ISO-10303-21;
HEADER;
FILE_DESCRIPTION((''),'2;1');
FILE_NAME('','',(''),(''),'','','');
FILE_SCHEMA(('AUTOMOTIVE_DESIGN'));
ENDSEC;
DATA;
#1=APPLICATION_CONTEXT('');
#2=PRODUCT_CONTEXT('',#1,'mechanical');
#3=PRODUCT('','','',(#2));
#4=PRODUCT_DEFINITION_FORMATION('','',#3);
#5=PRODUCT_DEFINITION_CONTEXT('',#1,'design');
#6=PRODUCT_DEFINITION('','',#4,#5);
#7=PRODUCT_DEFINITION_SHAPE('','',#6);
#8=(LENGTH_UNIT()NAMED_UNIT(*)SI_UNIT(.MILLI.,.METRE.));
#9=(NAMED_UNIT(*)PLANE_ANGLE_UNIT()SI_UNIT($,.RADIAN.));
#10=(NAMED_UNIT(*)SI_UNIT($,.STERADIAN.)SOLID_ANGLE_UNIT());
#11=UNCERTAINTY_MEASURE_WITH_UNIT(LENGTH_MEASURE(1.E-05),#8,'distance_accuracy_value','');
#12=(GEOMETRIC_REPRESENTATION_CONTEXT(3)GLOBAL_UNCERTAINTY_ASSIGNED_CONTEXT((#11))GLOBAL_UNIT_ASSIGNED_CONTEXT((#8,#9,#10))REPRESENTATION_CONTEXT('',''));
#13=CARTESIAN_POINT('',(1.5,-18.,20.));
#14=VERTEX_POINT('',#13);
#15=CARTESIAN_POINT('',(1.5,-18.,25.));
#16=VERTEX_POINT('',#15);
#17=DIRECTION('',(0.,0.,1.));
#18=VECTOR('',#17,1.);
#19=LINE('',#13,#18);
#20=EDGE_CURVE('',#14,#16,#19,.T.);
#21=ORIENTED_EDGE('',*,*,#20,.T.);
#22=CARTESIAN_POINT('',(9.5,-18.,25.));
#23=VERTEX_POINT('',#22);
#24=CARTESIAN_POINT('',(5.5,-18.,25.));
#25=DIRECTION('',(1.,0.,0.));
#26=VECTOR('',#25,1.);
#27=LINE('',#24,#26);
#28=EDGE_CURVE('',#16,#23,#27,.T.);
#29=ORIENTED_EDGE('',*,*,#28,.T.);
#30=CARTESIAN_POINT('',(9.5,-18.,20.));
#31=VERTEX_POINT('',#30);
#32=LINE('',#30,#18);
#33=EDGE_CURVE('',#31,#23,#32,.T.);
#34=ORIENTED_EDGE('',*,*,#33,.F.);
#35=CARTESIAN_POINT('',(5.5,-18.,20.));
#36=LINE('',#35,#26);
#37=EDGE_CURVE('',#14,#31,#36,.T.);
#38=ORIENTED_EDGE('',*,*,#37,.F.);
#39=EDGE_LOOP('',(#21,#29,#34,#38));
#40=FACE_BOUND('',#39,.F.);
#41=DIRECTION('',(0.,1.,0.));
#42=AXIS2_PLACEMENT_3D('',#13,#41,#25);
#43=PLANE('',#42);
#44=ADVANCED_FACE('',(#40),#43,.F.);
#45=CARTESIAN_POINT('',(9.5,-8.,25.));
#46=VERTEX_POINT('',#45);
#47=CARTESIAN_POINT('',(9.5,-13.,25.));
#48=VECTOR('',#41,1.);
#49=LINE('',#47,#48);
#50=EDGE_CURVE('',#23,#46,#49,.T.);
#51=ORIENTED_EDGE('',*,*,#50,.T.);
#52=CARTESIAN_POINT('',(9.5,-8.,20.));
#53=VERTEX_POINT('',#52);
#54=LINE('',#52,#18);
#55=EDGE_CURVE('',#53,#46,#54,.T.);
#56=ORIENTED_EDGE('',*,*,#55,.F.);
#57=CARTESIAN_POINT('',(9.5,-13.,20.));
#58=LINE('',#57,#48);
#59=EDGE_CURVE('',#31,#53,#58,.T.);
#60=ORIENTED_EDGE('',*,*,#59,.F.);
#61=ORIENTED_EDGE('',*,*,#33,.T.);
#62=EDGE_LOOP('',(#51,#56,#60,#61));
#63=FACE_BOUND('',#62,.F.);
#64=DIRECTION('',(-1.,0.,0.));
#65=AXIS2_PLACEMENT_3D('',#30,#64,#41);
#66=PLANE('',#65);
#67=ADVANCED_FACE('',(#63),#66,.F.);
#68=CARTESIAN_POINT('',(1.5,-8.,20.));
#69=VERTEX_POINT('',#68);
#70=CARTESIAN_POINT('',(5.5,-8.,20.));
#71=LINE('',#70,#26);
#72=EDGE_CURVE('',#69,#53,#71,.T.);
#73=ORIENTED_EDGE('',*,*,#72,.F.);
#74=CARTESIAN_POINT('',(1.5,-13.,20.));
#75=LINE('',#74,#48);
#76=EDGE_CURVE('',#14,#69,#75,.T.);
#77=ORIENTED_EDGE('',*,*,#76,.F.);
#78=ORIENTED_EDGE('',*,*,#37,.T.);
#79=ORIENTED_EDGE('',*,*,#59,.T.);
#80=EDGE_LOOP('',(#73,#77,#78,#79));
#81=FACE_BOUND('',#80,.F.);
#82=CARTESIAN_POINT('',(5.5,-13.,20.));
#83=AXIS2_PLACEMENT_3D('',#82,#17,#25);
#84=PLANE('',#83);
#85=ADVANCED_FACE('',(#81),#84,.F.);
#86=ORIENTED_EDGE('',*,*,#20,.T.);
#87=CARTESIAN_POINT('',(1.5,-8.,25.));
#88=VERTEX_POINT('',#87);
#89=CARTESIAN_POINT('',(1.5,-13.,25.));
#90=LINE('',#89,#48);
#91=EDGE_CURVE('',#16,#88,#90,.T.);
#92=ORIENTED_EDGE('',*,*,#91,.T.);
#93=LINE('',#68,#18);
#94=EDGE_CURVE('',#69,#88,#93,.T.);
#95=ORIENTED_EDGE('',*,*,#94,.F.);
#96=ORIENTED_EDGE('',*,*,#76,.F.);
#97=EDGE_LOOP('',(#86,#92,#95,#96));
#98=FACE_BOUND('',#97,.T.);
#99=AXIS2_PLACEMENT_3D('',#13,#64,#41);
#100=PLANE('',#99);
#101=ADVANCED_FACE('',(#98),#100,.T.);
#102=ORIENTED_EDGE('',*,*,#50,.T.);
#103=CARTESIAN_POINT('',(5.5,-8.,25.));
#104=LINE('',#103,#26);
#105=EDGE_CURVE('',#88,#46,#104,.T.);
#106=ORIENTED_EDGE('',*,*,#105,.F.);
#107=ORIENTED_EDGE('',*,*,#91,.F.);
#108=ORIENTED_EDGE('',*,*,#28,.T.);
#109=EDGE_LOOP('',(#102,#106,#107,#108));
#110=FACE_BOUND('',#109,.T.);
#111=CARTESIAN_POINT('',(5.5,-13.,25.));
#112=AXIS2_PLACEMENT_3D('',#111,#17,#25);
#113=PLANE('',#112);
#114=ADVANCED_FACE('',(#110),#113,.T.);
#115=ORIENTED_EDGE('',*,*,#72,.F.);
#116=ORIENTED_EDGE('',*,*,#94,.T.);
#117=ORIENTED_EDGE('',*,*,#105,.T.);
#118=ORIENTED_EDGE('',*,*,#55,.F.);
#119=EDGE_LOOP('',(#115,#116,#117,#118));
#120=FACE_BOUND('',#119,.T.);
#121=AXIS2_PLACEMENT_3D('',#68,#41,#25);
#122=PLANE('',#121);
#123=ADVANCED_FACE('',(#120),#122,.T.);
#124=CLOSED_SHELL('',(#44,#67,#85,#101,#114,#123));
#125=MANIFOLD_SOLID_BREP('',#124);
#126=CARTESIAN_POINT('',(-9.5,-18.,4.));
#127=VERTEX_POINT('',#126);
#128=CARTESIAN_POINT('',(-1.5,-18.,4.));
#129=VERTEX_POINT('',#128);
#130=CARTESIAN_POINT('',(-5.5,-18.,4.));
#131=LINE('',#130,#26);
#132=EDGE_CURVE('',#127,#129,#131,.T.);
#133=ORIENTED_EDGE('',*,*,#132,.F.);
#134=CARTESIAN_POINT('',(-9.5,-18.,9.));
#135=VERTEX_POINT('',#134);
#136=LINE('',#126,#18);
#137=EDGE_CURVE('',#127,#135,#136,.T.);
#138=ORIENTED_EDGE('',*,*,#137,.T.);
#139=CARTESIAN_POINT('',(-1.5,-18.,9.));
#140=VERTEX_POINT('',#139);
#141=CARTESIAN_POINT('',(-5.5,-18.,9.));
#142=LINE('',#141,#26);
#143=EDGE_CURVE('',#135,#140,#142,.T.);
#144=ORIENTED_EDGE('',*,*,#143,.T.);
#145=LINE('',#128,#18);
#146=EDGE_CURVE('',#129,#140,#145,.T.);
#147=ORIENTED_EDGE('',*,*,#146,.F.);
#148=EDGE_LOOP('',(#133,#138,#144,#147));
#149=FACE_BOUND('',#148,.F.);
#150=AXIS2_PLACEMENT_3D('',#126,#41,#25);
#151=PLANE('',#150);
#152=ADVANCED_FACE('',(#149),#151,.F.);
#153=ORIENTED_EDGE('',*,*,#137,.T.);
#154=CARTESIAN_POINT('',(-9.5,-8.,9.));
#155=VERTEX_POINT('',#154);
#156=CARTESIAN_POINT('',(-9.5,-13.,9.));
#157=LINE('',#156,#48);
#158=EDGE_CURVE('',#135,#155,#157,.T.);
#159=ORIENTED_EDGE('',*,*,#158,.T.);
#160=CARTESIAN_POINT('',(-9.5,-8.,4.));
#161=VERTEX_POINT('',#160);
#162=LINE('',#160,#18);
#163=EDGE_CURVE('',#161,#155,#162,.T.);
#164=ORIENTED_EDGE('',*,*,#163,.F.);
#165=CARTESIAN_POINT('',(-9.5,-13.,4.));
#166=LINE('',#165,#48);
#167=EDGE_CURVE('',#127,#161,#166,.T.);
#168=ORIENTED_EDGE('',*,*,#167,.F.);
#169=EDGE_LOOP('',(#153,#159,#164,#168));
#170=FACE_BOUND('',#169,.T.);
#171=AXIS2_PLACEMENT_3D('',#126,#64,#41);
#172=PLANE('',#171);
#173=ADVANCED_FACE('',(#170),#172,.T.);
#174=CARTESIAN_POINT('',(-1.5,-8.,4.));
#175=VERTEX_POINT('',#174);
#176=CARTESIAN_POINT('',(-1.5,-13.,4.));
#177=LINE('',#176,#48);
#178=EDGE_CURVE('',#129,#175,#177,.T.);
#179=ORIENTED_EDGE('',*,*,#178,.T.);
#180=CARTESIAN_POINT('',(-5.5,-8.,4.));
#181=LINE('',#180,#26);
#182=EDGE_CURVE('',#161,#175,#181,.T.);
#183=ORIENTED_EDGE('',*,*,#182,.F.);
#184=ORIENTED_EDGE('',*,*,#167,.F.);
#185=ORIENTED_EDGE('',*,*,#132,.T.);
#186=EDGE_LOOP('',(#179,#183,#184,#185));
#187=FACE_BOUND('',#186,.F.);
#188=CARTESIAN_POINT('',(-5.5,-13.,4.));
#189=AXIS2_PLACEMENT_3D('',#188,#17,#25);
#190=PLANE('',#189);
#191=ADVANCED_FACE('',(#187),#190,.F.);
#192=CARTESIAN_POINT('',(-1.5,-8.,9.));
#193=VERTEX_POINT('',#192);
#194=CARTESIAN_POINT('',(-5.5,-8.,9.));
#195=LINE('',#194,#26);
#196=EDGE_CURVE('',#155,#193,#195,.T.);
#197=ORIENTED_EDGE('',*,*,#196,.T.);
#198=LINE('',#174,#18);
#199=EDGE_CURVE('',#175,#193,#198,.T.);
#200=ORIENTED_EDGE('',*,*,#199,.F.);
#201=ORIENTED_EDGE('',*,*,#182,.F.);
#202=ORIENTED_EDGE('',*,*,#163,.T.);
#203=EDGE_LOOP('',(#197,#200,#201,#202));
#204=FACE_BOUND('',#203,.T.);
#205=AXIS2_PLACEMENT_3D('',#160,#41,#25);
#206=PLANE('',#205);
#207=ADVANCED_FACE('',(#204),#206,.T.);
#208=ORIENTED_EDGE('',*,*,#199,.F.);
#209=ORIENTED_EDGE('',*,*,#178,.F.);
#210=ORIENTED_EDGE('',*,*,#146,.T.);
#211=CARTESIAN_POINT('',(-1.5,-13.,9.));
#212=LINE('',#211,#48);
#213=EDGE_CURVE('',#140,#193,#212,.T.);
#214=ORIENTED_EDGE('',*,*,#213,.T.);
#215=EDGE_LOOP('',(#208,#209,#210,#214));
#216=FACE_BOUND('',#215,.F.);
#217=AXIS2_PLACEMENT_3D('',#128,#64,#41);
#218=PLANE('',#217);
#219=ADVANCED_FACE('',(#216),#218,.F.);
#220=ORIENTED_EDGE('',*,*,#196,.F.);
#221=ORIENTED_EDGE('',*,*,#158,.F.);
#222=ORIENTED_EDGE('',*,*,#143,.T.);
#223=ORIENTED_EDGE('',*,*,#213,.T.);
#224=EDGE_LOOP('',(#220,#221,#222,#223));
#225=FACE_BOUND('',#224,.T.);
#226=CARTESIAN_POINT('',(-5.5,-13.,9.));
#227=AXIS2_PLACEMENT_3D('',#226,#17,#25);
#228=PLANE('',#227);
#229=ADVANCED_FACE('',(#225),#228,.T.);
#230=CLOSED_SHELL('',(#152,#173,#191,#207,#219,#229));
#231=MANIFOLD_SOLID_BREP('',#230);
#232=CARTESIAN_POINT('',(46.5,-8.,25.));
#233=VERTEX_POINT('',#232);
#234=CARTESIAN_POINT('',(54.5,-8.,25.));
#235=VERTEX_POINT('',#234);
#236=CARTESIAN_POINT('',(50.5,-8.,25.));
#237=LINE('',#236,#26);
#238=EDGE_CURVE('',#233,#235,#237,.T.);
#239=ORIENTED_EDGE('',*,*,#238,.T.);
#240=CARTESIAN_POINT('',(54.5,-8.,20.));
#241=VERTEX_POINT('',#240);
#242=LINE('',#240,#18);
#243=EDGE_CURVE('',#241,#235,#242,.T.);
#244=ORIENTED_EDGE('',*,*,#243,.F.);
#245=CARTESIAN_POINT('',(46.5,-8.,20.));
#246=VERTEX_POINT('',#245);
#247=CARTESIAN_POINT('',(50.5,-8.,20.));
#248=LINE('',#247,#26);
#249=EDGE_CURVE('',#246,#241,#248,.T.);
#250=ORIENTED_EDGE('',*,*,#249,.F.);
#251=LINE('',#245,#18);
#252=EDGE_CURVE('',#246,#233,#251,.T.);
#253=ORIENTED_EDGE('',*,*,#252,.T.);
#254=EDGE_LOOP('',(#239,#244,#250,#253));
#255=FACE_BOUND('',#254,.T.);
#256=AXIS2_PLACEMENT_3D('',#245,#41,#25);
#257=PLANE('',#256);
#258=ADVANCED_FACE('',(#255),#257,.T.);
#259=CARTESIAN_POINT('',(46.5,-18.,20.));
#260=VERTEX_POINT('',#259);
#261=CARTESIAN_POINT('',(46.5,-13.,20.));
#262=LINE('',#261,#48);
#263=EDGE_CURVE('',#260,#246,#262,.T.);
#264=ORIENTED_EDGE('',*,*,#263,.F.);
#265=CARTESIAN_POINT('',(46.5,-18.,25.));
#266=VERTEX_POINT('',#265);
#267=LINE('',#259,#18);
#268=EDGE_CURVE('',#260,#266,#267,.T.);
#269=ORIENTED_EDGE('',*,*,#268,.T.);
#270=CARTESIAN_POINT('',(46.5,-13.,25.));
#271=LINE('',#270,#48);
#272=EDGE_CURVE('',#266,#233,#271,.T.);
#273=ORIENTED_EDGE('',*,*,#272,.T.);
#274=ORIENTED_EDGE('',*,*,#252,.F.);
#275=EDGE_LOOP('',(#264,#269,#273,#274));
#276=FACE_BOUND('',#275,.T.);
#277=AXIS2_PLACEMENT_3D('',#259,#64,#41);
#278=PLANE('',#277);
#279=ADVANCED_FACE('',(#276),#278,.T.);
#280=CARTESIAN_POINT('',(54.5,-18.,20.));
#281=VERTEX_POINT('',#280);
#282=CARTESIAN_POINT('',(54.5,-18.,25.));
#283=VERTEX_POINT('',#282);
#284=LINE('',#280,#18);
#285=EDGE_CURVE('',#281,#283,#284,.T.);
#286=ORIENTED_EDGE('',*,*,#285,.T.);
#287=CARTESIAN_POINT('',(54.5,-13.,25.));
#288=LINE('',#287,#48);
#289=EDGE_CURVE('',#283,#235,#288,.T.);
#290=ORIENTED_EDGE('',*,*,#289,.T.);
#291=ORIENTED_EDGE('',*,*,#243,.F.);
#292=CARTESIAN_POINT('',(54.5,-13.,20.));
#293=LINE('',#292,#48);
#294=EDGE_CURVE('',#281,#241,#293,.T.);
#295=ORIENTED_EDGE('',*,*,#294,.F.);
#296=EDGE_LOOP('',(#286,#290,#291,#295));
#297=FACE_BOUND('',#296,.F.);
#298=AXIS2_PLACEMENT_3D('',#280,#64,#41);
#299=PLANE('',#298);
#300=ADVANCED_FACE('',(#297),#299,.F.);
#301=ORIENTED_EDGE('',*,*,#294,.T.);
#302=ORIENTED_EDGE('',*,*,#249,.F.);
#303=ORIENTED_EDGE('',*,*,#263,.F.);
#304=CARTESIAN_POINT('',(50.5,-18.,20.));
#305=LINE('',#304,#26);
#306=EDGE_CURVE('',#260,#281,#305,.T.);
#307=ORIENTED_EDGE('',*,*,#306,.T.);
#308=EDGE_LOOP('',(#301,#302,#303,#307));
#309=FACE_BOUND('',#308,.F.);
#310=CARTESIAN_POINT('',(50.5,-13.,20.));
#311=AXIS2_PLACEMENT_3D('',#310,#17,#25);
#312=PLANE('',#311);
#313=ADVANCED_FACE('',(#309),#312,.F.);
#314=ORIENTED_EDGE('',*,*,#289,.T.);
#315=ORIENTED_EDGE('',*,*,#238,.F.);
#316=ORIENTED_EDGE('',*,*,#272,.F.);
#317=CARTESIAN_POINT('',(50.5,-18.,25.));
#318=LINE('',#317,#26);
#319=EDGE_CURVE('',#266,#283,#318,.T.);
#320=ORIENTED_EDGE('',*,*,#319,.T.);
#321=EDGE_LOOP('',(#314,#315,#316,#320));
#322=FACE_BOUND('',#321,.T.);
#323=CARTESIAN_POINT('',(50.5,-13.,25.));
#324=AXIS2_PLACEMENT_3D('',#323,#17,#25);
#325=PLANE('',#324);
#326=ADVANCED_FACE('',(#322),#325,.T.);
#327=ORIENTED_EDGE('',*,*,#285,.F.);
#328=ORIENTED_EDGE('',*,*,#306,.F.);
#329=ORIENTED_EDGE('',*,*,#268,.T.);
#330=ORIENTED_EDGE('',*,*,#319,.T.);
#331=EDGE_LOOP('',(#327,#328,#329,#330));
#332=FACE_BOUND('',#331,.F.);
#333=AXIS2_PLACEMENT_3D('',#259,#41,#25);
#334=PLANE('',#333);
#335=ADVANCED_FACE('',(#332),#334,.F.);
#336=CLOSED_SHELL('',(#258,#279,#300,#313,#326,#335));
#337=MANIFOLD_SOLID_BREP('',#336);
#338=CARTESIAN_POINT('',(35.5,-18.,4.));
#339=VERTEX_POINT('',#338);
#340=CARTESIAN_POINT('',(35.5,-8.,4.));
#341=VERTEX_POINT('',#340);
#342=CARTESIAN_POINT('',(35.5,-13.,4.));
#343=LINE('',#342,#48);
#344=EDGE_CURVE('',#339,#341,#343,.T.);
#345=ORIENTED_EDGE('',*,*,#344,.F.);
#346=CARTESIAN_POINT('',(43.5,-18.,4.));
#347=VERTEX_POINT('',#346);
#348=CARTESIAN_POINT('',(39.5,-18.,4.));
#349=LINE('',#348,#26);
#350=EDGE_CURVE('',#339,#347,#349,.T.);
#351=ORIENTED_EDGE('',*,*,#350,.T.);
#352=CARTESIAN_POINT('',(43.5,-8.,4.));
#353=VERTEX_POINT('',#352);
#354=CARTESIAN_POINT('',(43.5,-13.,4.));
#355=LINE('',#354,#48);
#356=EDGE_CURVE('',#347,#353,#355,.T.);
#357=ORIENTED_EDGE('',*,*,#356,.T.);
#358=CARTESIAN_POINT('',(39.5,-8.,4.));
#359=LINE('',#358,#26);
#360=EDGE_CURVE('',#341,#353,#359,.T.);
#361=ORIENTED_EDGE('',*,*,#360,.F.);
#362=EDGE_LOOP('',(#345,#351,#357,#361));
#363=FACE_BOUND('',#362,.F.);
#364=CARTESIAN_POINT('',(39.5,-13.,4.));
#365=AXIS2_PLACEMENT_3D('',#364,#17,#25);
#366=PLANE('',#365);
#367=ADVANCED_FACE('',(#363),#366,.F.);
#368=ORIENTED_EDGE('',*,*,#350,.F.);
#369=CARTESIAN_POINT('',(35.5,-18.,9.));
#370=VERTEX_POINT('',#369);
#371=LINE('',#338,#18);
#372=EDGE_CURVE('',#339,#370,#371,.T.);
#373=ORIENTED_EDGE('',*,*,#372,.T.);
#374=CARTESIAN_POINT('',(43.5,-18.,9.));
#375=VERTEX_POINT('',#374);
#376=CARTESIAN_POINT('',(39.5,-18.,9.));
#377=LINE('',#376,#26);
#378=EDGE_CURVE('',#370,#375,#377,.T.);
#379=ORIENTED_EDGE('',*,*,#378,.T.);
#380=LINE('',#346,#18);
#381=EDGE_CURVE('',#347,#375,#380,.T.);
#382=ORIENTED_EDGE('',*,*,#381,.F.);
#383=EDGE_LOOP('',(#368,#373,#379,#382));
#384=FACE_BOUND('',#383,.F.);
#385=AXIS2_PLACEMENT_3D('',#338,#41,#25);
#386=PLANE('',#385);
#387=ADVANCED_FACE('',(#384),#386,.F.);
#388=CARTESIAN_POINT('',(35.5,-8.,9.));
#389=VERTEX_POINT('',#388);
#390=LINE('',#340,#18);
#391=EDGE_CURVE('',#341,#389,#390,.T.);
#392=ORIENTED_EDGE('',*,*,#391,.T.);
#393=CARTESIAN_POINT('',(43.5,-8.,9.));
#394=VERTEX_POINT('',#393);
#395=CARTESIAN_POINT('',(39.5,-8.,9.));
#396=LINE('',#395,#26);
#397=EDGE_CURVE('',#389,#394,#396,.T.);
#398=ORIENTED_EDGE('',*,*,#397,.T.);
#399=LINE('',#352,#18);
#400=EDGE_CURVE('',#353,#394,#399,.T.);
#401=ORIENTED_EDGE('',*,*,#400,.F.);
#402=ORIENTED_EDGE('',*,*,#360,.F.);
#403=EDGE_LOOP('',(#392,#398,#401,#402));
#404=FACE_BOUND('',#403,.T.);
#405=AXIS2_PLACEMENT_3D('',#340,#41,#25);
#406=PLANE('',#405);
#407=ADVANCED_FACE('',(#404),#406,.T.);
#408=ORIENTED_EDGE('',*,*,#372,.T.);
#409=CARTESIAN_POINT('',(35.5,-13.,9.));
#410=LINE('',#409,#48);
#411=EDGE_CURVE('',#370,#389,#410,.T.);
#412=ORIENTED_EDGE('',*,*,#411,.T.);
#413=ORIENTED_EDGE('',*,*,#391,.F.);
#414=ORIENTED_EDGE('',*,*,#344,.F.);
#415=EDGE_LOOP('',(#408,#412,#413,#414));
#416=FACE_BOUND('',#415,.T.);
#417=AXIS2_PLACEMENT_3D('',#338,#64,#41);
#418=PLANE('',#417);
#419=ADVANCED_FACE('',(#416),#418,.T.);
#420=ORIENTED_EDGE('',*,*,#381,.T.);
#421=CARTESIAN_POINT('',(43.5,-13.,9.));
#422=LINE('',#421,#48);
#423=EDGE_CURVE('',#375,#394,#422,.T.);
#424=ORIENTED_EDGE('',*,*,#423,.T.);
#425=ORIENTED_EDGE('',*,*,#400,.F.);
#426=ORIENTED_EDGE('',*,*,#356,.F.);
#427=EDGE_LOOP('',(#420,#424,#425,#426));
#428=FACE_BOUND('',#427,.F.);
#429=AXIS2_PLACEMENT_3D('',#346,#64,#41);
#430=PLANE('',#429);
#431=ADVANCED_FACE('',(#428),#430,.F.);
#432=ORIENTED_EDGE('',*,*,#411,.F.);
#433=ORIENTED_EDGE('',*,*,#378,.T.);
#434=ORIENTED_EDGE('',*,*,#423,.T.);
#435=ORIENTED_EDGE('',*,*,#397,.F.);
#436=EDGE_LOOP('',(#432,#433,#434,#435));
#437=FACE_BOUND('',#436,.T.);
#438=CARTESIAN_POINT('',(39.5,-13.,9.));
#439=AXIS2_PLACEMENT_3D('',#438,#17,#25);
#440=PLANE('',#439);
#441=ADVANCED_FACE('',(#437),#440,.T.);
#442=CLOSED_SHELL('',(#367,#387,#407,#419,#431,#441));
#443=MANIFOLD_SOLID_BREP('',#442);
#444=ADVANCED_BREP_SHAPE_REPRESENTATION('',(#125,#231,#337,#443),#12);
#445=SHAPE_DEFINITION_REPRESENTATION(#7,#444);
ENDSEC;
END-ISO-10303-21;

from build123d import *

# Parameters (mm, degrees)
BOX037_W     = 8
BOX037_H     = 10
BOX037_DEPTH = 5
BOX035_W     = 8
BOX035_H     = 10
BOX035_DEPTH = 5
BOX036_W     = 8
BOX036_H     = 10
BOX036_DEPTH = 5
BOX034_W     = 8
BOX034_H     = 10
BOX034_DEPTH = 5


with BuildPart() as w_rfel036:
    # Box037 → Box037 (new body)
    with BuildSketch(Plane(origin=(46.5, -18, 20), x_dir=(1, 0, 0), z_dir=(0, 0, 1))):
        with Locations((4, 5)):
            Rectangle(BOX037_W, BOX037_H)
    extrude(amount=BOX037_DEPTH)


with BuildPart() as w_rfel034:
    # Box035 → Box035 (new body)
    with BuildSketch(Plane(origin=(35.5, -18, 4), x_dir=(1, 0, 0), z_dir=(0, 0, 1))):
        with Locations((4, 5)):
            Rectangle(BOX035_W, BOX035_H)
    extrude(amount=BOX035_DEPTH)


with BuildPart() as w_rfel035:
    # Box036 → Box036 (new body)
    with BuildSketch(Plane(origin=(1.5, -18, 20), x_dir=(1, 0, 0), z_dir=(0, 0, 1))):
        with Locations((4, 5)):
            Rectangle(BOX036_W, BOX036_H)
    extrude(amount=BOX036_DEPTH)


with BuildPart() as sripperholes:
    # Box034 → Box034 (new body)
    with BuildSketch(Plane(origin=(-9.5, -18, 4), x_dir=(1, 0, 0), z_dir=(0, 0, 1))):
        with Locations((4, 5)):
            Rectangle(BOX034_W, BOX034_H)
    extrude(amount=BOX034_DEPTH)

    # Fusion026015: union Würfel036, Würfel034, Würfel035
    add(w_rfel036.part)
    add(w_rfel034.part)
    add(w_rfel035.part)


solid = sripperholes.part
